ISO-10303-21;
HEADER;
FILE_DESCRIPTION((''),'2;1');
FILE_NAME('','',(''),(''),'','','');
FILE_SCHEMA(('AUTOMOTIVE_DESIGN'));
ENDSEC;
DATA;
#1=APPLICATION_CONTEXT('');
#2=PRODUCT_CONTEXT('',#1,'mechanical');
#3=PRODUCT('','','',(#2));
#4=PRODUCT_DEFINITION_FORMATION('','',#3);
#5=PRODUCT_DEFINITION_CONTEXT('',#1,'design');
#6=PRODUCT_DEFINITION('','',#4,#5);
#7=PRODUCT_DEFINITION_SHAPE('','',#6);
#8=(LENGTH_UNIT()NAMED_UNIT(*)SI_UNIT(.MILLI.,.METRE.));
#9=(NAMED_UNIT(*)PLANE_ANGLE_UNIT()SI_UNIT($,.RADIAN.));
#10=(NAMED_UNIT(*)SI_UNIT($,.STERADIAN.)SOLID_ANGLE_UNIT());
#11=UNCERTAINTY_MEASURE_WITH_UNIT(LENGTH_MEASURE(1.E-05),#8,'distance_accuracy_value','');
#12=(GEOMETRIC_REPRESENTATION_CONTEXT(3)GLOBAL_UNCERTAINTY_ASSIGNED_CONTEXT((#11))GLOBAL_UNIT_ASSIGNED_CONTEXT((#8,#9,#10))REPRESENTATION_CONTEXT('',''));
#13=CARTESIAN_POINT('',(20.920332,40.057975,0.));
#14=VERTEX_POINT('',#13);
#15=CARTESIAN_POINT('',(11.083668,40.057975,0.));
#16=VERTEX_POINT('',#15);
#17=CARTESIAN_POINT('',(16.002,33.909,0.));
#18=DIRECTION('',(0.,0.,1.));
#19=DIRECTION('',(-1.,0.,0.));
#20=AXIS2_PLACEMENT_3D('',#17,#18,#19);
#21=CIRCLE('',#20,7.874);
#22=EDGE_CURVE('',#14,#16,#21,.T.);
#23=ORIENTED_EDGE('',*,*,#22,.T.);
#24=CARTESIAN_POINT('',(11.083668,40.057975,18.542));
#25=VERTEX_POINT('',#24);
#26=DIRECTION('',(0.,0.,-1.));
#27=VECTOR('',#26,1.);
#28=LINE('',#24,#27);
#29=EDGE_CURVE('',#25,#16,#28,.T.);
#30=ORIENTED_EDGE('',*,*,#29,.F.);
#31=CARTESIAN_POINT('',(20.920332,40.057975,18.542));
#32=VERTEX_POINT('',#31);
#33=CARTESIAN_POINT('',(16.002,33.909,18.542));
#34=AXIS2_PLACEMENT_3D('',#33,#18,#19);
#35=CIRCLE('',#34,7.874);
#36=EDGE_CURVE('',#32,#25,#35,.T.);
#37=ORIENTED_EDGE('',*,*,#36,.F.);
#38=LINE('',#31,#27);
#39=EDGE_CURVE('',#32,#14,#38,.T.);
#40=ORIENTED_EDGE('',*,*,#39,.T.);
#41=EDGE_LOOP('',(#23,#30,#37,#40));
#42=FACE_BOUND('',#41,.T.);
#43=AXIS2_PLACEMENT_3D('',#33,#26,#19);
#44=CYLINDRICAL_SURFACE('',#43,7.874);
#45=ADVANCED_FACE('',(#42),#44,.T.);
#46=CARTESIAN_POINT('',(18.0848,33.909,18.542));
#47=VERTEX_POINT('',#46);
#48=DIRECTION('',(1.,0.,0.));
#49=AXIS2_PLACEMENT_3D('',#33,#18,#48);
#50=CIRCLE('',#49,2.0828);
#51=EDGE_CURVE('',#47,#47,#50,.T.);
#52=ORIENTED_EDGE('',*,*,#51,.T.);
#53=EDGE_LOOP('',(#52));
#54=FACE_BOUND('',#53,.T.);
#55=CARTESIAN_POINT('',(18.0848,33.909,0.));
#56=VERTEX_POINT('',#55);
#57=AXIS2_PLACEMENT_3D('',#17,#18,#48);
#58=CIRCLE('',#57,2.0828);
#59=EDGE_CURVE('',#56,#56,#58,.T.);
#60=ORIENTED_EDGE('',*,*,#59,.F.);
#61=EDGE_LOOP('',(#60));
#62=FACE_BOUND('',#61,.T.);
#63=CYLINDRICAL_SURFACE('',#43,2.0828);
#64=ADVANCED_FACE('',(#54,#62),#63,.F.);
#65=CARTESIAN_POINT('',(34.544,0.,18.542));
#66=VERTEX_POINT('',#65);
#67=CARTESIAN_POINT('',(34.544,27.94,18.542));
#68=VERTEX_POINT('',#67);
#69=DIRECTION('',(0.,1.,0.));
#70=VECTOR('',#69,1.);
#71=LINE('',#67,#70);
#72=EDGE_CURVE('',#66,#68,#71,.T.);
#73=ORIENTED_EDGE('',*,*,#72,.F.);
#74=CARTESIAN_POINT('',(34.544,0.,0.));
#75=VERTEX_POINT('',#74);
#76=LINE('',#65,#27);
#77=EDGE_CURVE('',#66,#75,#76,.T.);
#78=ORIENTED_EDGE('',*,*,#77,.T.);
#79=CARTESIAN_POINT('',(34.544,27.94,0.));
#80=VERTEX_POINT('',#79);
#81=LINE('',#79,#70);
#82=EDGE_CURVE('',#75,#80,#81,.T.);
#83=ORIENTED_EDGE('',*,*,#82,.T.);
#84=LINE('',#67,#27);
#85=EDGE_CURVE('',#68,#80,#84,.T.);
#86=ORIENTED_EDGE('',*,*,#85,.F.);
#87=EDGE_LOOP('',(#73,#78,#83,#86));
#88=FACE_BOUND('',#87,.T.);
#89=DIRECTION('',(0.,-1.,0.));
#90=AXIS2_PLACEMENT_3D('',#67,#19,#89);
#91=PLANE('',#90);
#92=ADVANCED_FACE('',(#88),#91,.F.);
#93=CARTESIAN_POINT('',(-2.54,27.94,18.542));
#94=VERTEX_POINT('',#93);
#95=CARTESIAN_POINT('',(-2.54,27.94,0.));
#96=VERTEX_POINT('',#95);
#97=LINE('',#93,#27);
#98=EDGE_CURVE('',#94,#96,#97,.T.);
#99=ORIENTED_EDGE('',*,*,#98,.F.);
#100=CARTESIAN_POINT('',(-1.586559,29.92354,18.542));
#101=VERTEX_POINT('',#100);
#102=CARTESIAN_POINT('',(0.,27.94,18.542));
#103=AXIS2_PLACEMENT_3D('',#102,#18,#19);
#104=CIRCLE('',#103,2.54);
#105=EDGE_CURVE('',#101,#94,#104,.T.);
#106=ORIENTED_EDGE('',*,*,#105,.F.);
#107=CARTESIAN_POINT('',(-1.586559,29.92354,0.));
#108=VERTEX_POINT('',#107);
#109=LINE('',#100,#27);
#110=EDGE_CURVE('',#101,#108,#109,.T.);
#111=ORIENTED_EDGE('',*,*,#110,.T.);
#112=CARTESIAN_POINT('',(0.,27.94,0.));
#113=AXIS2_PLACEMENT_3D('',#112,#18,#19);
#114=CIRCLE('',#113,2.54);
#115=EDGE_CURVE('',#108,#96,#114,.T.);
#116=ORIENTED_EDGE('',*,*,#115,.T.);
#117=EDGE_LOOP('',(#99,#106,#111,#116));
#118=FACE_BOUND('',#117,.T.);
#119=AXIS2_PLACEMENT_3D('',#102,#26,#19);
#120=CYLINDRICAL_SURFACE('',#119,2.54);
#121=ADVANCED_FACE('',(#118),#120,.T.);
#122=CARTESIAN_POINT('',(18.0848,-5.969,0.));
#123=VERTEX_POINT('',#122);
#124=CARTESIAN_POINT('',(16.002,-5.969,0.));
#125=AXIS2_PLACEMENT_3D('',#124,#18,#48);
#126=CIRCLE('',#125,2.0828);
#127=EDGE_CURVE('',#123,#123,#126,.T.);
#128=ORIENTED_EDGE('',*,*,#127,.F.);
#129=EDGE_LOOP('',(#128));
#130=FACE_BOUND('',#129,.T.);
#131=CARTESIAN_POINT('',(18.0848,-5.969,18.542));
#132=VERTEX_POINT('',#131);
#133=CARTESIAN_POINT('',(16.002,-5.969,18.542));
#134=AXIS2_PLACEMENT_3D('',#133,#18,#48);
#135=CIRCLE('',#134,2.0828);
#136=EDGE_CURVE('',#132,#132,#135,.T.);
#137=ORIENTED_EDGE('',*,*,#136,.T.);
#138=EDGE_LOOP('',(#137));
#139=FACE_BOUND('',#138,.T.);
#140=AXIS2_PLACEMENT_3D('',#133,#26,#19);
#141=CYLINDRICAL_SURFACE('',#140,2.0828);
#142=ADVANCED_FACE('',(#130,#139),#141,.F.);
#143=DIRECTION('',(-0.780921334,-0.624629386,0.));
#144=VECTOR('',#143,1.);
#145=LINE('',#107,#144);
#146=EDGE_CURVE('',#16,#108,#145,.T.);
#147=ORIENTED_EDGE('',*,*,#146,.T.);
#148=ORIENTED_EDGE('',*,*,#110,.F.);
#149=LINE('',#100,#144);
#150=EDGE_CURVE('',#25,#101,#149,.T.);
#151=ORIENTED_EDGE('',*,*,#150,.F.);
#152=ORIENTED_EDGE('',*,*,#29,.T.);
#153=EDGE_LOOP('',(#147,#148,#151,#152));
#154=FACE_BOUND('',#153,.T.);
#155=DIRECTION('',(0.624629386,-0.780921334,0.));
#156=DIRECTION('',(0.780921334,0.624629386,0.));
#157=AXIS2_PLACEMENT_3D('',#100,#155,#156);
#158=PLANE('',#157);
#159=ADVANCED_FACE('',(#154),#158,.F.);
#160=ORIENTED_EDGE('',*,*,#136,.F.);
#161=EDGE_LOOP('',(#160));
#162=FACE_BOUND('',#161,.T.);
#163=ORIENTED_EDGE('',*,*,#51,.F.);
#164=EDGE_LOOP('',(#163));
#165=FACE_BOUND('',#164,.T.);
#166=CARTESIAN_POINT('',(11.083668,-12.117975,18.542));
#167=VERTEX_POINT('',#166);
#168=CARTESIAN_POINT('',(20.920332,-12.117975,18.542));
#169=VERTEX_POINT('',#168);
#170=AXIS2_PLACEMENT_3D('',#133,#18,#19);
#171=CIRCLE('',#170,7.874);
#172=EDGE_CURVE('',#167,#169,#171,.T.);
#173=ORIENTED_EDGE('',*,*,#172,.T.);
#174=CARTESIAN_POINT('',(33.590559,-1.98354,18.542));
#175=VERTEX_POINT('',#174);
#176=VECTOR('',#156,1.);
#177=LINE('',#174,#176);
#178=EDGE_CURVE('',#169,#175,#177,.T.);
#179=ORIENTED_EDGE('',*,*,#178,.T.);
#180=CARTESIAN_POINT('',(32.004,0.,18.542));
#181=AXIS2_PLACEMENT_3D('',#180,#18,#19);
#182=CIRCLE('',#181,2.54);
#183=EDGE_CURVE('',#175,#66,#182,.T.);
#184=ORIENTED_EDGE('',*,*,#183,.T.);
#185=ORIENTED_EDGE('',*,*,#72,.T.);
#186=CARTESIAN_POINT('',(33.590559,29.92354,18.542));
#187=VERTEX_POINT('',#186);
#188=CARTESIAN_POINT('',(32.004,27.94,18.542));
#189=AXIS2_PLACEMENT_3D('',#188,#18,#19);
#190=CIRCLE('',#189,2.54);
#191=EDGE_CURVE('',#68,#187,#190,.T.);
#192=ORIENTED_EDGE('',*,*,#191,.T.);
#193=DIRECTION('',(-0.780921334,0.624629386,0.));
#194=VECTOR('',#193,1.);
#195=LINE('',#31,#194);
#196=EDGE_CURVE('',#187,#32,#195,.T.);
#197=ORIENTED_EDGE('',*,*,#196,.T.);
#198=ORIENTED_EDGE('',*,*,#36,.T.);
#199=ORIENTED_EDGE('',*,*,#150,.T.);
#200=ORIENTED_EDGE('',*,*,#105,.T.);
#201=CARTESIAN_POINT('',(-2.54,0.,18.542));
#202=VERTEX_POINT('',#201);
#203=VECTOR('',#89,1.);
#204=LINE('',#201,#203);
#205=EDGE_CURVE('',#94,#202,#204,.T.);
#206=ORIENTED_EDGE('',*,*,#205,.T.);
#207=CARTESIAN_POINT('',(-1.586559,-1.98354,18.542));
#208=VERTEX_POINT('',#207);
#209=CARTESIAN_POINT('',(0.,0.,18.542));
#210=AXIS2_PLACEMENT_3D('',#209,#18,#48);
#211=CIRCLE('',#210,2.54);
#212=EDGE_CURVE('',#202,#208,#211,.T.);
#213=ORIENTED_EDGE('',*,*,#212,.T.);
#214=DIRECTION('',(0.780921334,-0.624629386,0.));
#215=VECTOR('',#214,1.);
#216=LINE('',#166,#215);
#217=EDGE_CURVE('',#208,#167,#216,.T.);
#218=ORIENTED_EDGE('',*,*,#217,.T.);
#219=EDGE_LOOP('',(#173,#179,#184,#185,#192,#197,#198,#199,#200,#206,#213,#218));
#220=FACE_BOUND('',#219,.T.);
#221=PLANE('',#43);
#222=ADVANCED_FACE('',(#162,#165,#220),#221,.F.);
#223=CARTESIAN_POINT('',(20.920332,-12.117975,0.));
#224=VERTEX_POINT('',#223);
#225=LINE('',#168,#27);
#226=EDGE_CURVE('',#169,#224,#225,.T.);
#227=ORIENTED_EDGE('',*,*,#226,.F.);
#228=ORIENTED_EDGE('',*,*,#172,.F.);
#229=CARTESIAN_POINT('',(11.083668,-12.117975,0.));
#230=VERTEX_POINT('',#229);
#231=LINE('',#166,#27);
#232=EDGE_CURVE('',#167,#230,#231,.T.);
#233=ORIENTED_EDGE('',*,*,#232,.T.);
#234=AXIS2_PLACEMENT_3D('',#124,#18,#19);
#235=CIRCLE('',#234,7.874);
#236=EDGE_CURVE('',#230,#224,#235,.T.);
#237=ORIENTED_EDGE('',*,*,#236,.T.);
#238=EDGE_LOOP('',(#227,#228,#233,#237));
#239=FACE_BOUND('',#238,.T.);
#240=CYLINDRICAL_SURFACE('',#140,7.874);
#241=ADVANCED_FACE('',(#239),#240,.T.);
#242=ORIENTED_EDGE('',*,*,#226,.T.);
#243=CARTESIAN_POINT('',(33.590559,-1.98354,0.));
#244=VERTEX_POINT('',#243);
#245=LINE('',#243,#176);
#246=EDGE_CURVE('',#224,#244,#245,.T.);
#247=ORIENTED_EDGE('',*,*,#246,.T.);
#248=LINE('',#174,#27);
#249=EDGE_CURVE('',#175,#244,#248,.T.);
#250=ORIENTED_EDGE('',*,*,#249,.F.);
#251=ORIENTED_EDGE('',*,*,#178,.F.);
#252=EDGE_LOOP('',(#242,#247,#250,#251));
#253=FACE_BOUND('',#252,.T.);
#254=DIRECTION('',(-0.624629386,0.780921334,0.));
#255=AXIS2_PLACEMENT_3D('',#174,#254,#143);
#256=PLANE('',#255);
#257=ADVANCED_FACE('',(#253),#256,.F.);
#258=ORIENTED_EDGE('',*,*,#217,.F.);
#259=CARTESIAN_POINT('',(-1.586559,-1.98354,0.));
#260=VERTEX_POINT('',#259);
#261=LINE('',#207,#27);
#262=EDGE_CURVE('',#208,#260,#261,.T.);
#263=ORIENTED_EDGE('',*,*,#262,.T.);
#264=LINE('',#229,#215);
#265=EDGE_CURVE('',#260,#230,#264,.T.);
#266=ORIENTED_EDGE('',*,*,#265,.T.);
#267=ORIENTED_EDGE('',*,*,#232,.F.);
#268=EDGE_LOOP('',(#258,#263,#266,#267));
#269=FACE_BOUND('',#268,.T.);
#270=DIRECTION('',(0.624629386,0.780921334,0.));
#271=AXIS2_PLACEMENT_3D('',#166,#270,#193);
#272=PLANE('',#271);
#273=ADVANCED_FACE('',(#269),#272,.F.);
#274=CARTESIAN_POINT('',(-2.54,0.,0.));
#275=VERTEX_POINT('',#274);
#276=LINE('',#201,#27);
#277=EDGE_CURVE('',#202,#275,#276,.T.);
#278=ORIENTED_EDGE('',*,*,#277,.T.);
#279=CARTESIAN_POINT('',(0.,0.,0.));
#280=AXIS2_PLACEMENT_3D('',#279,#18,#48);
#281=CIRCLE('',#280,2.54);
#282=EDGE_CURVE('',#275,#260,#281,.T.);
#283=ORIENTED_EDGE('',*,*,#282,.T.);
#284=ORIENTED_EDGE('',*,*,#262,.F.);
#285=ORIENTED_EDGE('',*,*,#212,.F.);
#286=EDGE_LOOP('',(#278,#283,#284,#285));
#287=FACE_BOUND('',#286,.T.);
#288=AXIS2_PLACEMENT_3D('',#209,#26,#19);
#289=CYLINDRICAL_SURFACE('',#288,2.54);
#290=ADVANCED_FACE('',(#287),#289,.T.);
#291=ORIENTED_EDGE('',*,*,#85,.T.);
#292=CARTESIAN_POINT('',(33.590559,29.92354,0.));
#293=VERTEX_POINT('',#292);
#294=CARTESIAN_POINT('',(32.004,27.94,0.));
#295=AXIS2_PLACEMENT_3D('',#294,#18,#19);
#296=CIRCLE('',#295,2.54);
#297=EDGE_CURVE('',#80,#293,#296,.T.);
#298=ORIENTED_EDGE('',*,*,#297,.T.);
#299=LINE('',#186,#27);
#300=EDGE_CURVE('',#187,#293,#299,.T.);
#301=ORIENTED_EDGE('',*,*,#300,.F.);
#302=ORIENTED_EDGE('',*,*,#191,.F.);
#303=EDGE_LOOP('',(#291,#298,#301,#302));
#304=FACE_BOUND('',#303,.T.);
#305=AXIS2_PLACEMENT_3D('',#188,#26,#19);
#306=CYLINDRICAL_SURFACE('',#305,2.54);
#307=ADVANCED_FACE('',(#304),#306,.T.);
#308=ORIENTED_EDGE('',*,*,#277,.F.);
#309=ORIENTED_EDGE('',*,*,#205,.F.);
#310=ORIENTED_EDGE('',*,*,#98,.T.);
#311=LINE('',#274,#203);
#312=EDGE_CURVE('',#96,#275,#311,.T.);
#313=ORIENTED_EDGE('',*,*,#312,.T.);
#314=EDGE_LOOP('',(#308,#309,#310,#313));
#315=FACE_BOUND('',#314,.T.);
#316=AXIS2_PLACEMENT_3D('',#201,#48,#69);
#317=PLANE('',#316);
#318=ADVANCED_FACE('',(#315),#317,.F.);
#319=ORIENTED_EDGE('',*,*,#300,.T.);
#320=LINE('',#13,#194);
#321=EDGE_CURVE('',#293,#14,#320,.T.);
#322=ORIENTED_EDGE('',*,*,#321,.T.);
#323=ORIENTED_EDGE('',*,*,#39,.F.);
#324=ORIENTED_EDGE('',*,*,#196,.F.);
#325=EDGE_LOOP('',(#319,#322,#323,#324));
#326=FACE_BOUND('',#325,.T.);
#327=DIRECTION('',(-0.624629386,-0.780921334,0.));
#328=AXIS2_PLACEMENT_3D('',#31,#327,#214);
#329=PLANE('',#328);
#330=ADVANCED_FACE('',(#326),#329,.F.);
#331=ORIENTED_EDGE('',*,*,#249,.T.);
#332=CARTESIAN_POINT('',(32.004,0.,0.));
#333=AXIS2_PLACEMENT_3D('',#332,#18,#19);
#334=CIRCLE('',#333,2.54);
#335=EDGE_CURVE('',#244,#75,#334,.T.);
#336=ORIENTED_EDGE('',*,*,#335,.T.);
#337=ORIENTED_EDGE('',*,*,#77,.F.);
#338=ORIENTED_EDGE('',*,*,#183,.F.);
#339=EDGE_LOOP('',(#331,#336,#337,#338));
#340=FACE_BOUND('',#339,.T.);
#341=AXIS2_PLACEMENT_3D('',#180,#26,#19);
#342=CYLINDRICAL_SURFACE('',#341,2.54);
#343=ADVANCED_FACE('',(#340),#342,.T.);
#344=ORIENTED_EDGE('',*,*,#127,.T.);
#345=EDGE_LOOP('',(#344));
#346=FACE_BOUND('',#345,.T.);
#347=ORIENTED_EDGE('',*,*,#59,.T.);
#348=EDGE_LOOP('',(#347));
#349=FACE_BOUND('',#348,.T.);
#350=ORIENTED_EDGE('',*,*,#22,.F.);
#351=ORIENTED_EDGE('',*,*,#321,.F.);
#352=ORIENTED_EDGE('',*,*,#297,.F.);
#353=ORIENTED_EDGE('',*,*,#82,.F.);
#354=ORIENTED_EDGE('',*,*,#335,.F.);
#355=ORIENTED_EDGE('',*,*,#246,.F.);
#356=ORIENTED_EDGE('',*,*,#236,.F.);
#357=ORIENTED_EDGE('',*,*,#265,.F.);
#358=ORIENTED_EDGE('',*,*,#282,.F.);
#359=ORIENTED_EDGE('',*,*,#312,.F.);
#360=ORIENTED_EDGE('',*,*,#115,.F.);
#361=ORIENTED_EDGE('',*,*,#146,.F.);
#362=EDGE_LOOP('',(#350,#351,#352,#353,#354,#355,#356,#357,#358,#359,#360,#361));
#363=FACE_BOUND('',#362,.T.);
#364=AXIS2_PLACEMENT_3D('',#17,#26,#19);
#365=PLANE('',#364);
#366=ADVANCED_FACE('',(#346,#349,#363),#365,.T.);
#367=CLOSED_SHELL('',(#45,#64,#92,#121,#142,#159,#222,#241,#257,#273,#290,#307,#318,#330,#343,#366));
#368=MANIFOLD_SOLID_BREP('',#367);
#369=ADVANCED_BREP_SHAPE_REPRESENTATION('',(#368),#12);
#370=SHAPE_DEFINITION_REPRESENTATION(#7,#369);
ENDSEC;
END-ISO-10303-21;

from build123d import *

# Parameters (mm, degrees)
SKETCH1_R           = 2.0828
BOSS_EXTRUDE1_DEPTH = 18.542


with BuildPart() as part:
    # Sketch1 → Boss-Extrude1 (new body)
    with BuildSketch(Plane.XY):
        with BuildLine():
            Line((-2.54, 0), (-2.54, 27.94))
            ThreePointArc((-2.54, 27.94), (-2.289263959, 29.040395622), (-1.586558642, 29.923540188))
            Line((-1.586558642, 29.923540188), (11.083668211, 40.057974582))
            ThreePointArc((11.083668211, 40.057974582), (16.002, 41.783), (20.920331789, 40.057974582))
            Line((20.920331789, 40.057974582), (33.590558642, 29.923540188))
            ThreePointArc((33.590558642, 29.923540188), (34.293263959, 29.040395622), (34.544, 27.94))
            Line((34.544, 27.94), (34.544, 0))
            ThreePointArc((34.544, 0), (34.293263959, -1.100395622), (33.590558642, -1.983540188))
            Line((33.590558642, -1.983540188), (20.920331789, -12.117974582))
            ThreePointArc((20.920331789, -12.117974582), (16.002, -13.843), (11.083668211, -12.117974582))
            Line((11.083668211, -12.117974582), (-1.586558642, -1.983540188))
            ThreePointArc((-1.586558642, -1.983540188), (-2.289263959, -1.100395622), (-2.54, 0))
        make_face()
        with Locations((16.002, 33.909)):
            Circle(SKETCH1_R, mode=Mode.SUBTRACT)
        with Locations((16.002, -5.969)):
            Circle(SKETCH1_R, mode=Mode.SUBTRACT)
    extrude(amount=BOSS_EXTRUDE1_DEPTH)


solid = part.part
